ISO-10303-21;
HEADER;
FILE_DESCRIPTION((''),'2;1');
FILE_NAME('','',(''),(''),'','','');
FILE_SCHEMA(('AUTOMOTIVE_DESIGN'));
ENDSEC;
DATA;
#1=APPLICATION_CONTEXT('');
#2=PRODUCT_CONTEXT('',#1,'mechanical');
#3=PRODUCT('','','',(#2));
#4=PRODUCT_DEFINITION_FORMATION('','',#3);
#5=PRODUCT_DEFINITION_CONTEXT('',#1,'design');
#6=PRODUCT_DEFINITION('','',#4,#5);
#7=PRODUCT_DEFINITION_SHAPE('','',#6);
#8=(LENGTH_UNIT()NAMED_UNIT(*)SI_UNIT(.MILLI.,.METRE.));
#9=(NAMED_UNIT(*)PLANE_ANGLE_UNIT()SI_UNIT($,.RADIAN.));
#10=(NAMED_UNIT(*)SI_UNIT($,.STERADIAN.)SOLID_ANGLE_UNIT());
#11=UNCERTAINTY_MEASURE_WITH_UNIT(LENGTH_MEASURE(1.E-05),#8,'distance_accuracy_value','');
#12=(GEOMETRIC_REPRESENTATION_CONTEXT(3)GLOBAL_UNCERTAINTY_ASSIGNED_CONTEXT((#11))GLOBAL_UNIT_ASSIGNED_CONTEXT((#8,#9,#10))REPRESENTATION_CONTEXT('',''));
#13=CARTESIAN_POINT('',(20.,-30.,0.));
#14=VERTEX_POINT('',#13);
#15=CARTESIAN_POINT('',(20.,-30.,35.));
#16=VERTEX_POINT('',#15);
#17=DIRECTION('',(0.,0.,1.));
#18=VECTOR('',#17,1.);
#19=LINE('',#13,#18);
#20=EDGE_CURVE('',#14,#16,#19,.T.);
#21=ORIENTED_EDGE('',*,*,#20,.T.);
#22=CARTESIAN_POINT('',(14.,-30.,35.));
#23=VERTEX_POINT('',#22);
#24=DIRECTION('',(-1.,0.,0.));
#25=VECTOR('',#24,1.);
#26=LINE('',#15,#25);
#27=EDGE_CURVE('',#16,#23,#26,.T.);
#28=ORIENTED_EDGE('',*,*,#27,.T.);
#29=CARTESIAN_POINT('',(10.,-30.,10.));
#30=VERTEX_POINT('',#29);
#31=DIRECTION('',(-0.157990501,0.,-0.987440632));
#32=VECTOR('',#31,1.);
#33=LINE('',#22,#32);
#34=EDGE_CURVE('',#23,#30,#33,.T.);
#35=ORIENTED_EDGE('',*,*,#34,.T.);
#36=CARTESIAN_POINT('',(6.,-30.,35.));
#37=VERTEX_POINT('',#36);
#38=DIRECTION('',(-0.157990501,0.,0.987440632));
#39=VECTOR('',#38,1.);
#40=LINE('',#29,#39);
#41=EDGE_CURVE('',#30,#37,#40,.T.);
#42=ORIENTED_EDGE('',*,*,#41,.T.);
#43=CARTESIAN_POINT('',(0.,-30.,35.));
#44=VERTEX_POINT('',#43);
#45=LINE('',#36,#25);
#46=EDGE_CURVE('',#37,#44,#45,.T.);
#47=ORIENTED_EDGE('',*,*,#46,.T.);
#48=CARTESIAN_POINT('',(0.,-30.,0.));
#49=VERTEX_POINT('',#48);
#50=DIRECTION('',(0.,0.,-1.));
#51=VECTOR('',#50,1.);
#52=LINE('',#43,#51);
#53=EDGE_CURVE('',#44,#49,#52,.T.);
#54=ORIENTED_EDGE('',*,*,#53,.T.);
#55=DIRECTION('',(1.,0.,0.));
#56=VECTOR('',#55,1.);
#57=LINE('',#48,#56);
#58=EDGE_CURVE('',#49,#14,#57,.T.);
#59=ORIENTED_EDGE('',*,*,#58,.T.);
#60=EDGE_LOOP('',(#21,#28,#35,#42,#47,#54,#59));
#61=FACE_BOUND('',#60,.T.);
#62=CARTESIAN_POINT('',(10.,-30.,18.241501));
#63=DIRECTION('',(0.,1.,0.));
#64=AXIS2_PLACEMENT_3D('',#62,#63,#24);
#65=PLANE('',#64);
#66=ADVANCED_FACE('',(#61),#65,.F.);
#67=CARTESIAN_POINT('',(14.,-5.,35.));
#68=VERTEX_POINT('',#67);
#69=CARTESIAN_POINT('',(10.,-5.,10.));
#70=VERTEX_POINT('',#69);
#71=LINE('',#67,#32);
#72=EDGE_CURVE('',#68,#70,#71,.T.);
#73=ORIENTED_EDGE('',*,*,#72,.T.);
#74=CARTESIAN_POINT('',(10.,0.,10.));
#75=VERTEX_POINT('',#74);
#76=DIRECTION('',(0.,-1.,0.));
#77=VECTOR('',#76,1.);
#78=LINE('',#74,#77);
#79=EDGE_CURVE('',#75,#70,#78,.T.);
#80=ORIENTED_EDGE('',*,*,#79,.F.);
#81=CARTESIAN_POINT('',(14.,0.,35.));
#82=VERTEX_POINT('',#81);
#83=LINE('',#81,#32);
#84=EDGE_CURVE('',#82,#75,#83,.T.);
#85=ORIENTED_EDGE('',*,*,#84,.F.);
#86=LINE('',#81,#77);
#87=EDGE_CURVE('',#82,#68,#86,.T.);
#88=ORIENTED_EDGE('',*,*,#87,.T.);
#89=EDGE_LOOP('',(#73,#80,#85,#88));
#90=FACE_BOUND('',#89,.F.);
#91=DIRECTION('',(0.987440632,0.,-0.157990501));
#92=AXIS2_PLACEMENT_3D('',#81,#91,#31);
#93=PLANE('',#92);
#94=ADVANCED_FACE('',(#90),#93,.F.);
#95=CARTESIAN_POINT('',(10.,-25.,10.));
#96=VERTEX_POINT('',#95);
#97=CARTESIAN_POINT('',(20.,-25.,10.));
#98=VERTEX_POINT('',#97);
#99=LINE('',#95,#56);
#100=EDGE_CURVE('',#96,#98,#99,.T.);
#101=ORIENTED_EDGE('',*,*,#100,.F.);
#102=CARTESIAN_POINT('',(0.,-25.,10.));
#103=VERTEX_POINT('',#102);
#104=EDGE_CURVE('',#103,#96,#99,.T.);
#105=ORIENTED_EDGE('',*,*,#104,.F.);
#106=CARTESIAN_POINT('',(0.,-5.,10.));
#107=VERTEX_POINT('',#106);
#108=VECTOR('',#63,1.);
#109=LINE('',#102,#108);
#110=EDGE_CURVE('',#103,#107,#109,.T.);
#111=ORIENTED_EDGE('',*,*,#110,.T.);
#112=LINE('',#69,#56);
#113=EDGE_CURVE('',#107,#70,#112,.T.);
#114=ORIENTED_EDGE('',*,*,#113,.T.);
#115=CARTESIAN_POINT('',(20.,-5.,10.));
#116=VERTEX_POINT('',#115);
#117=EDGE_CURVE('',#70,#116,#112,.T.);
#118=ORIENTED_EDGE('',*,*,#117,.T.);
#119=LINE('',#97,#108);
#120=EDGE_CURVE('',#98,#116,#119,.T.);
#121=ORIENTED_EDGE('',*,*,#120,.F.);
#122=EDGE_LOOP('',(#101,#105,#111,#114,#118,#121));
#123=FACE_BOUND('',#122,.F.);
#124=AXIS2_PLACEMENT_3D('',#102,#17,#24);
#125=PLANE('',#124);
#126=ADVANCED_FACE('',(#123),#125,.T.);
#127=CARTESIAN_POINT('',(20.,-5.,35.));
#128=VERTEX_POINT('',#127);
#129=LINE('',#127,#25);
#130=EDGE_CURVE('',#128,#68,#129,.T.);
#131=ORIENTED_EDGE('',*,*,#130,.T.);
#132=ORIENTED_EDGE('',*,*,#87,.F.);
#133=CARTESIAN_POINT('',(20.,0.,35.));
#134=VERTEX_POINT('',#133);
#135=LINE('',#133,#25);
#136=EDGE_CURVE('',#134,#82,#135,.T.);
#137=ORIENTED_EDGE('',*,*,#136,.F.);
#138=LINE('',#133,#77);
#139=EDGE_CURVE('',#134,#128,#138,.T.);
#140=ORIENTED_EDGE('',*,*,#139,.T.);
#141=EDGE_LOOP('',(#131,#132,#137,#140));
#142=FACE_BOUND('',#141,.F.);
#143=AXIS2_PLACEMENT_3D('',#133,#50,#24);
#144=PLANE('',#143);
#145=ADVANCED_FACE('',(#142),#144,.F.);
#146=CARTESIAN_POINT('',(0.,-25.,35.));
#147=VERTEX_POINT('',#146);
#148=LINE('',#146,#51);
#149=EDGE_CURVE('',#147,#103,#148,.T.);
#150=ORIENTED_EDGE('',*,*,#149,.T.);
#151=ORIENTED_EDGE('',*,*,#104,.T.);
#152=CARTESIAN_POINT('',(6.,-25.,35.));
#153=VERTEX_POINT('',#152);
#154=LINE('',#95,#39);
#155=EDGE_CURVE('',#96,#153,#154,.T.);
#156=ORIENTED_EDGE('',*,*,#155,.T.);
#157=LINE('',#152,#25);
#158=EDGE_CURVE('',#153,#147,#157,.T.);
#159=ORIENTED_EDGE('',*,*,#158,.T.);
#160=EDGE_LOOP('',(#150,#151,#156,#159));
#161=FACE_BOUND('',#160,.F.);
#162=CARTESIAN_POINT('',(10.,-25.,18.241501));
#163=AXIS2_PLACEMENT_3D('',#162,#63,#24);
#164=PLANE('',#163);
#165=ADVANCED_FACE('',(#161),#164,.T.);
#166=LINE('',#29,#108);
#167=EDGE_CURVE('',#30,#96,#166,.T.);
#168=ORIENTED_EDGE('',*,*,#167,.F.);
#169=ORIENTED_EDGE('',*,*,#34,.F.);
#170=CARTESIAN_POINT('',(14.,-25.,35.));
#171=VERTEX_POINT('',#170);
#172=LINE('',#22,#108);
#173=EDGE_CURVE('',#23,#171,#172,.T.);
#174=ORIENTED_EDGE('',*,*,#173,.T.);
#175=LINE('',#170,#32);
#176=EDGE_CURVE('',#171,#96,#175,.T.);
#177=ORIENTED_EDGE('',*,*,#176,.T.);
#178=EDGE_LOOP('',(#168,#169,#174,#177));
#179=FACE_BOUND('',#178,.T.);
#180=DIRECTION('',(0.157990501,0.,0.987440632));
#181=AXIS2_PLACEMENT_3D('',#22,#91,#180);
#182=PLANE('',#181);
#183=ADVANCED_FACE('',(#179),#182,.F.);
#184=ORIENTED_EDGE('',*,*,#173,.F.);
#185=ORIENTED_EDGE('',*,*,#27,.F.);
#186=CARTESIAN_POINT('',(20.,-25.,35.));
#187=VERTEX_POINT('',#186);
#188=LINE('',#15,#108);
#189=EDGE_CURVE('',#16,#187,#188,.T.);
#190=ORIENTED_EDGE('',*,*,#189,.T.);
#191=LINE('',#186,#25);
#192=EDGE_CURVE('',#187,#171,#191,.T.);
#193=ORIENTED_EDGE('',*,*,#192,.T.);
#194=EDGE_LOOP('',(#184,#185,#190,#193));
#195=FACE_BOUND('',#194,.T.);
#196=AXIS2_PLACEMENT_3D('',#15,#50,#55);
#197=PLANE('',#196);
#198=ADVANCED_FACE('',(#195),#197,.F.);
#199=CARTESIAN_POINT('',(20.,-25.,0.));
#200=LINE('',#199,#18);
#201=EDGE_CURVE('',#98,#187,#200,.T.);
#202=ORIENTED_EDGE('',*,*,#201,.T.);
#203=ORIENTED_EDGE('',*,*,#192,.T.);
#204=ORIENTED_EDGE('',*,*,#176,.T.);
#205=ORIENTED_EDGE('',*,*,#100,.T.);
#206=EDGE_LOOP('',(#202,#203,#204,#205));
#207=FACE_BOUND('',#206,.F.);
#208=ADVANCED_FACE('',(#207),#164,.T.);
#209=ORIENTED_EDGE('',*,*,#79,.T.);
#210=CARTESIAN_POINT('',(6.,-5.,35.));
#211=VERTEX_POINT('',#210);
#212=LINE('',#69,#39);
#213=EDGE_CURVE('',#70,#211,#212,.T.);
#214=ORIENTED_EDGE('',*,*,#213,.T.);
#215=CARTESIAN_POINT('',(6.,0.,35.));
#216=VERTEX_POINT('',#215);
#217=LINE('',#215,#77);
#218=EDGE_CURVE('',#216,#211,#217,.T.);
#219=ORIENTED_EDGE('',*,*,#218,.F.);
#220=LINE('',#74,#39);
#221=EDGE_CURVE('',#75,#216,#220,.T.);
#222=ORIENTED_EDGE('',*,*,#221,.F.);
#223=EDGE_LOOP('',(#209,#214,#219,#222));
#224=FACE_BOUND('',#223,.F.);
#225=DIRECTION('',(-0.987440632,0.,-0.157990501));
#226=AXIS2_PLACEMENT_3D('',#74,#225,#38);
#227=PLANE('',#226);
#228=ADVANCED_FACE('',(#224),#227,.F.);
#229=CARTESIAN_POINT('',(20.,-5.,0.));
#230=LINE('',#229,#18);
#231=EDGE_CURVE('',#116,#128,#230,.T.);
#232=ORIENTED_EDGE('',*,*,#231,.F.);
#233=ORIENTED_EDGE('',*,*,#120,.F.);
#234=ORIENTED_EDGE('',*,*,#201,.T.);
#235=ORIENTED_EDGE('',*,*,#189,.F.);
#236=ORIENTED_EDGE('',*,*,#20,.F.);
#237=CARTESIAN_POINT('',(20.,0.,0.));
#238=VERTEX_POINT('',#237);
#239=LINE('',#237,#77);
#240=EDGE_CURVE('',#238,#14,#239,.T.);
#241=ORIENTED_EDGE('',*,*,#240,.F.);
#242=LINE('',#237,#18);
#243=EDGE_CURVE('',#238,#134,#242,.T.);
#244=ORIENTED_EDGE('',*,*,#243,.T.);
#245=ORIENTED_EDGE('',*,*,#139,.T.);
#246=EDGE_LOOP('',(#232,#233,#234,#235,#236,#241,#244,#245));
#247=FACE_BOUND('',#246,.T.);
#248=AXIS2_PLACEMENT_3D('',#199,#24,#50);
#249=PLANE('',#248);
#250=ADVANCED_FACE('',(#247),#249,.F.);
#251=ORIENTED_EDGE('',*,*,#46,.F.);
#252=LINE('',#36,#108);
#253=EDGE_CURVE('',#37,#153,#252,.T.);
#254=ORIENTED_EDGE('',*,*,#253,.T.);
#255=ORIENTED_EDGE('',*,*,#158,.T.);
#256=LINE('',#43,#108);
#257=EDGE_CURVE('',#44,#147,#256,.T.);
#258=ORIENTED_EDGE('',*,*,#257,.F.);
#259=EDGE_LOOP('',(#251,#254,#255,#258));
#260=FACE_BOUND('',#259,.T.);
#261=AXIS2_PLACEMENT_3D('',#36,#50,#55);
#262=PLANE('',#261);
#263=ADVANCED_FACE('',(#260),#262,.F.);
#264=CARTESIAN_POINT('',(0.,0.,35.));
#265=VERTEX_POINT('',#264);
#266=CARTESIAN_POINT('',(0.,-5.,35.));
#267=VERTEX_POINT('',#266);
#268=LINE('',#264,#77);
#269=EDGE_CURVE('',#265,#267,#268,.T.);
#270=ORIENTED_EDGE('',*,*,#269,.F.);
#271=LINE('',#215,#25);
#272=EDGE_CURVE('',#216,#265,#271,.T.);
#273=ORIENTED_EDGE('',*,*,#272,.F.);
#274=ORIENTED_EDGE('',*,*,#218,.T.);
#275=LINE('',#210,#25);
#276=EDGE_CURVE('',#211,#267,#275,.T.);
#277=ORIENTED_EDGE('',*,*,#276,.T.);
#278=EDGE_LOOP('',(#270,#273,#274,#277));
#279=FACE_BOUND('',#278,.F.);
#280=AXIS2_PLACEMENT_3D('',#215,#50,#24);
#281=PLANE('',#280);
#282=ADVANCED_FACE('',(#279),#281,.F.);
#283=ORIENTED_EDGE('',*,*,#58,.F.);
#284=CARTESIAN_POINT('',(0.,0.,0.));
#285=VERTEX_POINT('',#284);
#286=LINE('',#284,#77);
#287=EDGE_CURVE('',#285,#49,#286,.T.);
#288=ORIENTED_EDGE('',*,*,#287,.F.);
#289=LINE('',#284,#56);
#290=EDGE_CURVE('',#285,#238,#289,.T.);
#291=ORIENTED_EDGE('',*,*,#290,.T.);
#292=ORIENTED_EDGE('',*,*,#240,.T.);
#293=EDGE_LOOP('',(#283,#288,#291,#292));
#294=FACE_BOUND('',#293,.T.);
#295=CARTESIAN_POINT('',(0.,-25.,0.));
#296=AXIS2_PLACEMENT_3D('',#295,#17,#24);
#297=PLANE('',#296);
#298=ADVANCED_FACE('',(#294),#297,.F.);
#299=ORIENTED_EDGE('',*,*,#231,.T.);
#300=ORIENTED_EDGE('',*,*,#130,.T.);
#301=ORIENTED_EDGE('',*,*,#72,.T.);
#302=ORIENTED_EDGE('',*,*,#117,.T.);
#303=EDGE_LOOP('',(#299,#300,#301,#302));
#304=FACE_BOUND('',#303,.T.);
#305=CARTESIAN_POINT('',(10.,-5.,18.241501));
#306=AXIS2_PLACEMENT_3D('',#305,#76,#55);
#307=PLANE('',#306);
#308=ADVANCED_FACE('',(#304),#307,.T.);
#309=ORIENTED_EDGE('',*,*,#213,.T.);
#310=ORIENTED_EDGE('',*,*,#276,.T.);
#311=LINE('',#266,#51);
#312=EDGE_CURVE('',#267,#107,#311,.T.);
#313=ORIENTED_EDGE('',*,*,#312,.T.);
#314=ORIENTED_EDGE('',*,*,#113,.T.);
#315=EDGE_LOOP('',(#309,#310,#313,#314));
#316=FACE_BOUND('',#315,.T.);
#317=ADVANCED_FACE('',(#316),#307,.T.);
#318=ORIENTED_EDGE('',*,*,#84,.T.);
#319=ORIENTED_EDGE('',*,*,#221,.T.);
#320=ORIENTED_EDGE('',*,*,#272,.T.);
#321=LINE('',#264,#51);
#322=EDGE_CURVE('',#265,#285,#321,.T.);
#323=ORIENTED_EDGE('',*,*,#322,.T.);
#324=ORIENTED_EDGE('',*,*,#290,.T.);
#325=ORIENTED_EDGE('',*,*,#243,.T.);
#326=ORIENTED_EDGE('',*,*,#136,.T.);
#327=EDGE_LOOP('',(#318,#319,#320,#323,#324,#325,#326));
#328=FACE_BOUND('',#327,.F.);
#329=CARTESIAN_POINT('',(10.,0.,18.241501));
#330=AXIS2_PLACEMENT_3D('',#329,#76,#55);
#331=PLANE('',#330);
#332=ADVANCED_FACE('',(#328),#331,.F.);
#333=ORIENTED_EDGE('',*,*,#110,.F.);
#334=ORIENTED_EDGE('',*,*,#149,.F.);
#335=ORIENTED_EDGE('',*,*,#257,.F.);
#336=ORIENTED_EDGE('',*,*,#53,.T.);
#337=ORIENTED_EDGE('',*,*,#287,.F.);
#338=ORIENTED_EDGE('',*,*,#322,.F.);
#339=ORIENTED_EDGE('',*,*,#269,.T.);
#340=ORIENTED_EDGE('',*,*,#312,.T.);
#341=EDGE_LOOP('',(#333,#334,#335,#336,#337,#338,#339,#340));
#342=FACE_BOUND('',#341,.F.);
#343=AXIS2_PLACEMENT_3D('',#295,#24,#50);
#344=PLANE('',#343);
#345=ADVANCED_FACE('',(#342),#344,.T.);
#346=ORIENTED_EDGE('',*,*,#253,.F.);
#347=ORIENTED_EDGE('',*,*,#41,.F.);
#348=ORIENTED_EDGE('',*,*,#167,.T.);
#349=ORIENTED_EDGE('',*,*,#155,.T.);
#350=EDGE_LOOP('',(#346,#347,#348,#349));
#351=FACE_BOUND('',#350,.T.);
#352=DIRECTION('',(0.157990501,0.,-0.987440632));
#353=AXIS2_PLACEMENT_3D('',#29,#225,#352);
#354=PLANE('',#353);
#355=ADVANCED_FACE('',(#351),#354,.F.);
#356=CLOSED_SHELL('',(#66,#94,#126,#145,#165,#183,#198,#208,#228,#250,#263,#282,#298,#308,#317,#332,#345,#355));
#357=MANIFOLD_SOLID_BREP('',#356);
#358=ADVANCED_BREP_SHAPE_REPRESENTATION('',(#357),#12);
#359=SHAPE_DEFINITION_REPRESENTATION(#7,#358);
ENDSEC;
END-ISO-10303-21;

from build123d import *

# Parameters (mm, degrees)
F1_DEPTH = 5
F2_W     = 20
F2_H     = 10
F3_DEPTH = 10


with BuildPart() as f1:
    # F0 (on Front) → F1 (new body)
    with BuildSketch(Plane.XZ):
        Polygon((0, 35), (0, 0), (10, 0), (20, 0), (20, 35), (14, 35), (10, 10), (6, 35), align=None)
    extrude(amount=F1_DEPTH)

    # F2 (on face) → F3 (join)
    with BuildSketch(Plane.XZ.offset(5)):
        with Locations((10, 5)):
            Rectangle(F2_W, F2_H)
    extrude(amount=F3_DEPTH)

    # F4: F1 across face


with BuildPart() as f1_1:
    add(f1.part)
    add(f1.part.mirror(Plane(origin=(10, -15, 5), x_dir=(1, 0, 0), z_dir=(0, -1, 0))))


solid = f1_1.part
